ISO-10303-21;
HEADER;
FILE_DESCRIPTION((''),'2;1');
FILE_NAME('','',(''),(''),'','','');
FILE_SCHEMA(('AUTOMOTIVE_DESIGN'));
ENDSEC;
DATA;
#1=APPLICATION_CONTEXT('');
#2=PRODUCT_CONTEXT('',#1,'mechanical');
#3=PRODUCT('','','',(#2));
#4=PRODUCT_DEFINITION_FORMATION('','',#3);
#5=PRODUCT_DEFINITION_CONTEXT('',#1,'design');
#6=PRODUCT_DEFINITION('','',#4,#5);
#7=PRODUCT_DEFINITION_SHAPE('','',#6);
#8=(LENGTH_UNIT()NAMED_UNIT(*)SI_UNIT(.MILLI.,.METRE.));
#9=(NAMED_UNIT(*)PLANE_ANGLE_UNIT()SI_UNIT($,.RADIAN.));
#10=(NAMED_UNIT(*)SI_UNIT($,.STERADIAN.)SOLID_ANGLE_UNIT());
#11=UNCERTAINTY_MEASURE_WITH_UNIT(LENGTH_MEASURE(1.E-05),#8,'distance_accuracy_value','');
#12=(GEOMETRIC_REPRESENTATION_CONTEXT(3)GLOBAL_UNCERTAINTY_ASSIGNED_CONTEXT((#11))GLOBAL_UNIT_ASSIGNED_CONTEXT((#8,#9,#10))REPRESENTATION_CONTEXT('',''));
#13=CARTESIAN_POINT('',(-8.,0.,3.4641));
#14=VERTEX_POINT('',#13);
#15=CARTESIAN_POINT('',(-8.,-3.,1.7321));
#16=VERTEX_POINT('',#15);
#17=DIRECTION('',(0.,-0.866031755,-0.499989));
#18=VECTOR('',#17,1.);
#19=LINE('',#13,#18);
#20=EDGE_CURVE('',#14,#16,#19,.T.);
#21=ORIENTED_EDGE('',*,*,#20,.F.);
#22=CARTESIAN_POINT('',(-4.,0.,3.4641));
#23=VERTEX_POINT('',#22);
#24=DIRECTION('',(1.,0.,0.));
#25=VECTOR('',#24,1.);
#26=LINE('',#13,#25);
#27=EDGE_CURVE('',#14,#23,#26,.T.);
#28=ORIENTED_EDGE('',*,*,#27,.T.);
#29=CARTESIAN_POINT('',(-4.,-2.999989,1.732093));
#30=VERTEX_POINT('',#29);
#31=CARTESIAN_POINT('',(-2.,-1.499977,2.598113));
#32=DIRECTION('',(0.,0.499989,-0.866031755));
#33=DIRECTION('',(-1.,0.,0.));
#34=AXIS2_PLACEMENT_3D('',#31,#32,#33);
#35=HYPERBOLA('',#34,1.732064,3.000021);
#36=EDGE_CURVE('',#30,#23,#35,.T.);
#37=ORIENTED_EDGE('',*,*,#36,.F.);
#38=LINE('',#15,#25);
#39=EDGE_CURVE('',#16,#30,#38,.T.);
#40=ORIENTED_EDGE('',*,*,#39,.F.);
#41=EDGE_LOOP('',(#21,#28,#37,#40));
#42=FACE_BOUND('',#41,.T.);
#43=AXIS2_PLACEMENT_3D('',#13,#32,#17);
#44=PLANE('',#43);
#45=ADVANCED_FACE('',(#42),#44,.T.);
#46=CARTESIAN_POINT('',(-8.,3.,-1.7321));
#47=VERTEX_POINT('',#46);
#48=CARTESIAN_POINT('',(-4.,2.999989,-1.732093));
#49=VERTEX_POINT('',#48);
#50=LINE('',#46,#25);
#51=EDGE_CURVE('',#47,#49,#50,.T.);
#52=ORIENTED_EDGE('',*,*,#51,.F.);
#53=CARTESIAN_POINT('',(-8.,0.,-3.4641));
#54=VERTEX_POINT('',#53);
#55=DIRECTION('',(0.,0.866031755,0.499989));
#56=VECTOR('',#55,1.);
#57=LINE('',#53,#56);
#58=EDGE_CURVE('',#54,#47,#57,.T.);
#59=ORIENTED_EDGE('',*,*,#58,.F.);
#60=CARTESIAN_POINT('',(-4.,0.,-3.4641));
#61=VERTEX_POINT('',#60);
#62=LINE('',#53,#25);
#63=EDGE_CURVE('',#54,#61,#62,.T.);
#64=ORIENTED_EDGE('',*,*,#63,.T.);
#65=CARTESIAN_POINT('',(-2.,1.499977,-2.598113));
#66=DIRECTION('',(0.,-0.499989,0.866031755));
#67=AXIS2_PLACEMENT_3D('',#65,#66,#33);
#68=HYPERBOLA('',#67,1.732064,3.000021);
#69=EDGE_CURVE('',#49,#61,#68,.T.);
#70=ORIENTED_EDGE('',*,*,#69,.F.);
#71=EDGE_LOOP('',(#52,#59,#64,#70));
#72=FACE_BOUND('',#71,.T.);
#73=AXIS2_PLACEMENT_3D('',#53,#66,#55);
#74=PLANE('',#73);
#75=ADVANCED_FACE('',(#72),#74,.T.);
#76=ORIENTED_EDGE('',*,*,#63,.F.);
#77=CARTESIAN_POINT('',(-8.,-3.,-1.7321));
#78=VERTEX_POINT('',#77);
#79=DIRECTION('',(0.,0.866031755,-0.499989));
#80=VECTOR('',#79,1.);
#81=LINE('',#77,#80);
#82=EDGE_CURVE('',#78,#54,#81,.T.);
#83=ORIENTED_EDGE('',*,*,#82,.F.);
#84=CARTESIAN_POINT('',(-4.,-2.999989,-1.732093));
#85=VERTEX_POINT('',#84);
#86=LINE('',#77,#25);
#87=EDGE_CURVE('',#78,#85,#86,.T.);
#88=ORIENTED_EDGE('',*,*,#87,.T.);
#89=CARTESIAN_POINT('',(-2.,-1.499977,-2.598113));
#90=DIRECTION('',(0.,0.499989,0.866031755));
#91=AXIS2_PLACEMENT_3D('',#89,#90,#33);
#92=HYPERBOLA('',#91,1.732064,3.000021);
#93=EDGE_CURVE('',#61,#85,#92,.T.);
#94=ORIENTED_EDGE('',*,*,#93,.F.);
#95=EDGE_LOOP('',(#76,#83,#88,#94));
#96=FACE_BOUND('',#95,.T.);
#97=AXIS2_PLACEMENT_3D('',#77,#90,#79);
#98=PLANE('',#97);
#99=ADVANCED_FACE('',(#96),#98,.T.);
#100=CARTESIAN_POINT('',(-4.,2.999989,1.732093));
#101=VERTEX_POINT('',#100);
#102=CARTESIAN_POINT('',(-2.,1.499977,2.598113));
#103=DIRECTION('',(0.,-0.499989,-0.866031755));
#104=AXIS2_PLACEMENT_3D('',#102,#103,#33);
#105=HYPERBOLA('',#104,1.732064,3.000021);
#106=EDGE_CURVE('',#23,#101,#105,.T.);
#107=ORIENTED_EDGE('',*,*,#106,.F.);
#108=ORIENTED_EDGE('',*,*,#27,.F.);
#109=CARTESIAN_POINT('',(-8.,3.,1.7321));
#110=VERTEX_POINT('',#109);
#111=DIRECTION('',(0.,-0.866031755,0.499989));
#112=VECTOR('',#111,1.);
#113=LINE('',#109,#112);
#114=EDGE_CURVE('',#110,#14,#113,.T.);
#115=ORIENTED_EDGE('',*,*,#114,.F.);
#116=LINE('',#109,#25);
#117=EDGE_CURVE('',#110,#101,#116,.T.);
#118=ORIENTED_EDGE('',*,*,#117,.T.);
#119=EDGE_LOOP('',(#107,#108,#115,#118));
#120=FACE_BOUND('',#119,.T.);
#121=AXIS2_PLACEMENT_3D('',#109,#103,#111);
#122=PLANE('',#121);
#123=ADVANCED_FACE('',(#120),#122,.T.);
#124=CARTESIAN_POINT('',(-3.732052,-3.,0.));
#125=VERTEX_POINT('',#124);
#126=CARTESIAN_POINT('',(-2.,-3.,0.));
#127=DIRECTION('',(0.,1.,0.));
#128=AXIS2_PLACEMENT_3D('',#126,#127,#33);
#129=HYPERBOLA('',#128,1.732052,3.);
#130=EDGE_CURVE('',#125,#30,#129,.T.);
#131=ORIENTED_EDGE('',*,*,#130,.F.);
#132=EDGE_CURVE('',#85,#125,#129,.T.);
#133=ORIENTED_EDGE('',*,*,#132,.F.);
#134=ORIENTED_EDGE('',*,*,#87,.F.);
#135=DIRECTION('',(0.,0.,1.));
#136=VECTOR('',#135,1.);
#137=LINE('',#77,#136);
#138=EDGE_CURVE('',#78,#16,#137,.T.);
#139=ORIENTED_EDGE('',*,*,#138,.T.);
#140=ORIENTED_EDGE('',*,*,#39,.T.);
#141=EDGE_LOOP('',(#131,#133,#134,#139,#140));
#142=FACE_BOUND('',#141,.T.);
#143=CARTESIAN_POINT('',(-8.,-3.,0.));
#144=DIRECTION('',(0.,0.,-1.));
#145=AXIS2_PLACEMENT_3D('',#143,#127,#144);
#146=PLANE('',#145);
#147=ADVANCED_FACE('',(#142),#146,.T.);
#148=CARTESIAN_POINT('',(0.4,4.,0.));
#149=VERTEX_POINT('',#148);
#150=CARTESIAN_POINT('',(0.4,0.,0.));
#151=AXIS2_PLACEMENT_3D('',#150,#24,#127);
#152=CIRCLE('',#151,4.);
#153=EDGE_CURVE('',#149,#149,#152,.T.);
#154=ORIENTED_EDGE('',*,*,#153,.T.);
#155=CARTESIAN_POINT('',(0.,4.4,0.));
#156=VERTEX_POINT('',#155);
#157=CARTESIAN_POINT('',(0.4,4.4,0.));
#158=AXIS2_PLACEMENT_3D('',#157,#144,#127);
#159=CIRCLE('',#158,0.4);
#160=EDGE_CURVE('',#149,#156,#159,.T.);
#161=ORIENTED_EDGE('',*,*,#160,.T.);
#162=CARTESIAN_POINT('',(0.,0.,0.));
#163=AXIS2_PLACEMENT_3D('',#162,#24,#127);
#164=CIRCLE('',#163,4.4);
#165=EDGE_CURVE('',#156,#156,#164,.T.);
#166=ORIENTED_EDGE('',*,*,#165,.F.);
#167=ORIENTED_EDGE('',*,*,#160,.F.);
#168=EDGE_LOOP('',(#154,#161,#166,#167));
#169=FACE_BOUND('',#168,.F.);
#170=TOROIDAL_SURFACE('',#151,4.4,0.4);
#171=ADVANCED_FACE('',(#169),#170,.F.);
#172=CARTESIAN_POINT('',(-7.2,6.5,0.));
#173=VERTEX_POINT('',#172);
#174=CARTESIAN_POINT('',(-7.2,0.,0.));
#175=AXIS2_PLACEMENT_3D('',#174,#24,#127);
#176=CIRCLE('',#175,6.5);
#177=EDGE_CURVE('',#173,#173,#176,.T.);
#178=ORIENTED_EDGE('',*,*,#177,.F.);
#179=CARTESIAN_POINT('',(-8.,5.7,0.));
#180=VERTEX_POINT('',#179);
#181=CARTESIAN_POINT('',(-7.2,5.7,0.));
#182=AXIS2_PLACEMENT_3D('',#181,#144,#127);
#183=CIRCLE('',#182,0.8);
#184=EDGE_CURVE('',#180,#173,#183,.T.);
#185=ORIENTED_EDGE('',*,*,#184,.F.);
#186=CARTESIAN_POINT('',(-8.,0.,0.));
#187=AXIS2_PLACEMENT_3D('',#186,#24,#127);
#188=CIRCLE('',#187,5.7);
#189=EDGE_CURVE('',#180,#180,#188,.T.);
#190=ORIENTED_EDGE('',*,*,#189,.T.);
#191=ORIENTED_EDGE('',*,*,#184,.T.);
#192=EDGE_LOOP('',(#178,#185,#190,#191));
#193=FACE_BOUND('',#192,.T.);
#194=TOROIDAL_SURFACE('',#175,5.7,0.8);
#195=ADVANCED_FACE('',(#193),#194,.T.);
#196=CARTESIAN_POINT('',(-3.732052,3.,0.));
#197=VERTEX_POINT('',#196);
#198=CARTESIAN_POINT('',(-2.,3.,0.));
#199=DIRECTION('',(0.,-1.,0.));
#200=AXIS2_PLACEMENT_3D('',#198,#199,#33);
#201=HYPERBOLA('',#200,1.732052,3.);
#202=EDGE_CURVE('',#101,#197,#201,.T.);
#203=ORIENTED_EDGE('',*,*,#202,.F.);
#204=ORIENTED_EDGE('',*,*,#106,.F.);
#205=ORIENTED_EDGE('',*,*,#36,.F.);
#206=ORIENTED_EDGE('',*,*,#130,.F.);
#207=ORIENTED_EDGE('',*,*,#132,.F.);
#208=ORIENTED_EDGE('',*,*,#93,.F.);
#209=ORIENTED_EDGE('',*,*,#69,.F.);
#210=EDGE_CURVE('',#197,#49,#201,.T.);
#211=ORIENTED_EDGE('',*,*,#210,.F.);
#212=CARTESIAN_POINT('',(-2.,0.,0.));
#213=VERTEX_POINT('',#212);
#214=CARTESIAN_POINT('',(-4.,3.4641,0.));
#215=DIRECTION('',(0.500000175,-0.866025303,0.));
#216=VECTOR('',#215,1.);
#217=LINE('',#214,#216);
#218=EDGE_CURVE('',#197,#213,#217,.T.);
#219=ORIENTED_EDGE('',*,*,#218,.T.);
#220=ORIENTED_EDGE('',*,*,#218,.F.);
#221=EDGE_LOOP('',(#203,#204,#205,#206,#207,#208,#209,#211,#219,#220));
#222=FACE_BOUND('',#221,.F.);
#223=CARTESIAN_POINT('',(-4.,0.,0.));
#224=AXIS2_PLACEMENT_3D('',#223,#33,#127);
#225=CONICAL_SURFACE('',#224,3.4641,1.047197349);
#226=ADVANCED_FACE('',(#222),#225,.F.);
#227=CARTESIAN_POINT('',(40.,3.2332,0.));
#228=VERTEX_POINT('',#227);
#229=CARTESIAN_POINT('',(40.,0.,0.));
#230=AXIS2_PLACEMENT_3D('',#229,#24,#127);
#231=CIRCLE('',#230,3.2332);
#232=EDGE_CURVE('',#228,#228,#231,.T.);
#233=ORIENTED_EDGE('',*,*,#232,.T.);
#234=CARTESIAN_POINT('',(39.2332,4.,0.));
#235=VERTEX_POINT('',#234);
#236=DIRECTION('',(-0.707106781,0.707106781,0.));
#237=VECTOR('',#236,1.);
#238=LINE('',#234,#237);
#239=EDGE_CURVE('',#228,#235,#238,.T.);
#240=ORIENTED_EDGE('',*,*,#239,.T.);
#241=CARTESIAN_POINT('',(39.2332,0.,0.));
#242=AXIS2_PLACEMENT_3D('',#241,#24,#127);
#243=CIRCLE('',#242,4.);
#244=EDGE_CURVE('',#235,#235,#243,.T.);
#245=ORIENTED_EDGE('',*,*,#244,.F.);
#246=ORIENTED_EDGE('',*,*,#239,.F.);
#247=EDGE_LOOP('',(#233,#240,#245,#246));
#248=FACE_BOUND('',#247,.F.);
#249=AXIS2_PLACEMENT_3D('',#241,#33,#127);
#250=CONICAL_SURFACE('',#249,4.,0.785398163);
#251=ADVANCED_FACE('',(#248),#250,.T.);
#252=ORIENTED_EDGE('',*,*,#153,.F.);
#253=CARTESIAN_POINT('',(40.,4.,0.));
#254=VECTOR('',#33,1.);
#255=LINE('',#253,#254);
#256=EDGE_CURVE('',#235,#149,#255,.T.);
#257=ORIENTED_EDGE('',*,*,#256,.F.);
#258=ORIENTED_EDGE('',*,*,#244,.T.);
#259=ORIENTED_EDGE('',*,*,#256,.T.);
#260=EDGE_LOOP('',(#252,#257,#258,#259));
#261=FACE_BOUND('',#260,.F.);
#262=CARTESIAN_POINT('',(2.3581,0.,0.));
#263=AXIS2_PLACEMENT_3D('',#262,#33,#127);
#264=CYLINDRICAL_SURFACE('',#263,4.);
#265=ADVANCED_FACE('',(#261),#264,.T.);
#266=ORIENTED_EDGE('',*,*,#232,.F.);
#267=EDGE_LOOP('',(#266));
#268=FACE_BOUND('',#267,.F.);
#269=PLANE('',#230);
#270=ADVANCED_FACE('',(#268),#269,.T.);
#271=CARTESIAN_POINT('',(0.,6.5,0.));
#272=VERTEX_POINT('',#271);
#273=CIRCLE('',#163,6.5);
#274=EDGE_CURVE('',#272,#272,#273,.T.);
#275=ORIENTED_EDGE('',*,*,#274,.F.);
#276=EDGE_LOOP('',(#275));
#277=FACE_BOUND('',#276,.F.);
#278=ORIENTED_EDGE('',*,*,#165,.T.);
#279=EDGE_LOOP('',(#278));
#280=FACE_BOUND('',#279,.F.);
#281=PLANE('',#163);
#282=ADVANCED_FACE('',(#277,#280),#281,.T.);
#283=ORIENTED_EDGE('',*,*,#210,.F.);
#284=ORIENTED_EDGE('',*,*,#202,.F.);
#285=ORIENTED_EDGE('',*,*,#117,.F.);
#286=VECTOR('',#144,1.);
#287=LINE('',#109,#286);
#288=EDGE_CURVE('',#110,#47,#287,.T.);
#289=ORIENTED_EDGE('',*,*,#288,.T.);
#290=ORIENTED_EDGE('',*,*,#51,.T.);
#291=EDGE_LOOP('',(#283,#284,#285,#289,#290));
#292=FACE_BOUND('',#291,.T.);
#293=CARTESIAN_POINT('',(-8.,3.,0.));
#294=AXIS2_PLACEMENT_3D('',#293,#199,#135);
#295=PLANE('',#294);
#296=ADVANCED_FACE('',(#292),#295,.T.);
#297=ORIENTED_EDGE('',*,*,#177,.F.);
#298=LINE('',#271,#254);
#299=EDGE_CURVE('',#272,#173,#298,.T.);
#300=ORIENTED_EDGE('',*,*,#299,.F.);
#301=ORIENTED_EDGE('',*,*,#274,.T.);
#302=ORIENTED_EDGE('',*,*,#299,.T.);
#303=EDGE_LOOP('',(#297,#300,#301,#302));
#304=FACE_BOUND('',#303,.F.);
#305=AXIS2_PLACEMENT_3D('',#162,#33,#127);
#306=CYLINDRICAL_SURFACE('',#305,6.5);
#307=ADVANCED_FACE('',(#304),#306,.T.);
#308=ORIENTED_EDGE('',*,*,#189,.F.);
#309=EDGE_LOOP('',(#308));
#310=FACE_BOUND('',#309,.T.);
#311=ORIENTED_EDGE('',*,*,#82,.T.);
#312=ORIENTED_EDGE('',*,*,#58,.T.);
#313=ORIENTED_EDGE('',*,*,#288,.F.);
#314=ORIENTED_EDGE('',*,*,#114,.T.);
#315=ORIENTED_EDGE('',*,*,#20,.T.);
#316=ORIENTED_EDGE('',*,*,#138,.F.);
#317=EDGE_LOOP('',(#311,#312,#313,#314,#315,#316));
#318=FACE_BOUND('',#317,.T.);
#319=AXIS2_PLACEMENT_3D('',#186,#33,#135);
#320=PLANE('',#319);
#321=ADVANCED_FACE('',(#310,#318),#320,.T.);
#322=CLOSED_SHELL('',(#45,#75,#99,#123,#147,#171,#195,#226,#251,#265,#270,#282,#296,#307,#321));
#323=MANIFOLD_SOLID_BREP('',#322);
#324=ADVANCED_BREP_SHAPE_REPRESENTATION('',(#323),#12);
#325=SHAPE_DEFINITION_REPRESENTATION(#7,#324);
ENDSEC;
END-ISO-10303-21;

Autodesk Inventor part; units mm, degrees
ref_plane "YZ Plane" through (0, 0, 0) normal (1, 0, 0) x (0, 1, 0)
ref_plane "XZ Plane" through (0, 0, 0) normal (0, 1, 0) x (-1, 0, 0)
sketch "Sketch1" plane through (0, 0, 0) normal (0, 0, 1) x (1, 0, 0)
  line L0 (-2, 0) -> (40, 0)
  line L1 (40, 0) -> (40, 4)
  line L2 (40, 4) -> (3.125, 4)
  line L3 (3.125, 4) -> (2.3581, 4)
  line L4 (2.3581, 4) -> (0, 4)
  line L5 (0, 4) -> (0, 6.5)
  line L6 (0, 6.5) -> (-8, 6.5)
  line L7 (-8, 6.5) -> (-8, 3.4641)
  line L8 (-8, 3.4641) -> (-4, 3.4641)
  line L9 (-4, 3.4641) -> (-2, 0)
  line L10 (-17.6, 0) -> (49.6, 0) projected
  line L11 (0, -1.3) -> (0, 7.8) projected
  line L12 (3.125, 4) -> (0, 4) construction
  dimension "d1" = 36.875
  dimension "d2" = 0.7669
  dimension "d3" = 8
  dimension "d4" = 4
  dimension "d5" = 60
  dimension "d6" = 8
  dimension "d7" = 8
  dimension "d8" = 6.9282
  dimension "d9" = 13
  dimension "d26" = 40
revolve "Body" add sketch "Sketch1" angle 360 about axis through (-2, 0, 0) along (1, 0, 0)
sketch "Sketch2" plane through (-8, 0, 0) normal (-1, 0, 0) x (0, 0, 1)
  circle A0 centre (0, 0) radius 3.4641 projected
  line L0 (0, -9.1) -> (0, 9.1) projected
  line L1 (-9.1, 0) -> (9.1, 0) projected
  line L2 (3.4641, 0) -> (1.7321, -3)
  line L3 (1.7321, -3) -> (-1.7321, -3)
  line L4 (-1.7321, -3) -> (-3.4641, 0)
  line L5 (-3.4641, 0) -> (-1.7321, 3)
  line L6 (-1.7321, 3) -> (1.7321, 3)
  line L7 (1.7321, 3) -> (3.4641, 0)
extrude "Slot" add sketch "Sketch2" against normal up to next contours L7 A0 | A0 L2 | L6 L0 A0 | A0 L0 L3 | L0 L6 A0 | A0 L3 L0 | L4 A0 | A0 L5
fillet "Fillet1" radius 0.8 1 edges at (-8, -6.5, 0)
thread "Thread" size "M8x1.25" class "6g" standard "ISO Metric profile" length 36.875
chamfer "Chamfer1" distance 0.7668 distance2 0.7668 1 edges at (40, -4, 0) measured on face at (40, -0.998, -0.8842)
ref_plane "Work Plane1" through (29, 0, 0) normal (0, -1, 0) x (1, 0, 0)
fillet "Fillet2" radius 0.4 1 edges at (0, -4, 0)
equation "\"d3\" = KOH"
equation "\"d4\" = INTI"
equation "\"d6\" = GD"
equation "\"d7\" = BDM"
equation "\"d8\" = 1.1547 * SW"
equation "\"d9\" = KOD"
equation "\"d30\" = R"
equation "\"d17\" = RR"
equation "\"d15\" = -0.5 * SPD + 0.5 * GD"
equation "\"d16\" = GUL"
equation "\"GD\" = NND"
equation "\"NLG\" = 25"
equation "\"GEL\" = 21.875"
equation "\"KOD\" = 13"
equation "\"KOH\" = 8"
equation "\"INTI\" = 4"
equation "\"GAL\" = 0.61345 * PTC"
equation "\"GUL\" = 0.61345 * PTC"
equation "\"BDM\" = NND"
equation "\"SW\" = 6"
equation "\"RR\" = 0.8"
equation "\"SPD\" = NND - 1.2269 * PTC"
equation "\"R\" = 0.4"
equation "\"TOA\" = 30deg"
equation "\"GD1\" = THREADDIA - 1.2269 * PTC"
equation "\"THREADDIA\" = 8"
equation "\"FAWI\" = 45deg"
equation "\"ANG\" = 120deg"
equation "\"PTC\" = 1.25"
equation "\"NND\" = 8"
equation "\"E0\" = 1.155 * SW"
properties part number "Allen Key 8x40mm" material "Steel, Mild"
